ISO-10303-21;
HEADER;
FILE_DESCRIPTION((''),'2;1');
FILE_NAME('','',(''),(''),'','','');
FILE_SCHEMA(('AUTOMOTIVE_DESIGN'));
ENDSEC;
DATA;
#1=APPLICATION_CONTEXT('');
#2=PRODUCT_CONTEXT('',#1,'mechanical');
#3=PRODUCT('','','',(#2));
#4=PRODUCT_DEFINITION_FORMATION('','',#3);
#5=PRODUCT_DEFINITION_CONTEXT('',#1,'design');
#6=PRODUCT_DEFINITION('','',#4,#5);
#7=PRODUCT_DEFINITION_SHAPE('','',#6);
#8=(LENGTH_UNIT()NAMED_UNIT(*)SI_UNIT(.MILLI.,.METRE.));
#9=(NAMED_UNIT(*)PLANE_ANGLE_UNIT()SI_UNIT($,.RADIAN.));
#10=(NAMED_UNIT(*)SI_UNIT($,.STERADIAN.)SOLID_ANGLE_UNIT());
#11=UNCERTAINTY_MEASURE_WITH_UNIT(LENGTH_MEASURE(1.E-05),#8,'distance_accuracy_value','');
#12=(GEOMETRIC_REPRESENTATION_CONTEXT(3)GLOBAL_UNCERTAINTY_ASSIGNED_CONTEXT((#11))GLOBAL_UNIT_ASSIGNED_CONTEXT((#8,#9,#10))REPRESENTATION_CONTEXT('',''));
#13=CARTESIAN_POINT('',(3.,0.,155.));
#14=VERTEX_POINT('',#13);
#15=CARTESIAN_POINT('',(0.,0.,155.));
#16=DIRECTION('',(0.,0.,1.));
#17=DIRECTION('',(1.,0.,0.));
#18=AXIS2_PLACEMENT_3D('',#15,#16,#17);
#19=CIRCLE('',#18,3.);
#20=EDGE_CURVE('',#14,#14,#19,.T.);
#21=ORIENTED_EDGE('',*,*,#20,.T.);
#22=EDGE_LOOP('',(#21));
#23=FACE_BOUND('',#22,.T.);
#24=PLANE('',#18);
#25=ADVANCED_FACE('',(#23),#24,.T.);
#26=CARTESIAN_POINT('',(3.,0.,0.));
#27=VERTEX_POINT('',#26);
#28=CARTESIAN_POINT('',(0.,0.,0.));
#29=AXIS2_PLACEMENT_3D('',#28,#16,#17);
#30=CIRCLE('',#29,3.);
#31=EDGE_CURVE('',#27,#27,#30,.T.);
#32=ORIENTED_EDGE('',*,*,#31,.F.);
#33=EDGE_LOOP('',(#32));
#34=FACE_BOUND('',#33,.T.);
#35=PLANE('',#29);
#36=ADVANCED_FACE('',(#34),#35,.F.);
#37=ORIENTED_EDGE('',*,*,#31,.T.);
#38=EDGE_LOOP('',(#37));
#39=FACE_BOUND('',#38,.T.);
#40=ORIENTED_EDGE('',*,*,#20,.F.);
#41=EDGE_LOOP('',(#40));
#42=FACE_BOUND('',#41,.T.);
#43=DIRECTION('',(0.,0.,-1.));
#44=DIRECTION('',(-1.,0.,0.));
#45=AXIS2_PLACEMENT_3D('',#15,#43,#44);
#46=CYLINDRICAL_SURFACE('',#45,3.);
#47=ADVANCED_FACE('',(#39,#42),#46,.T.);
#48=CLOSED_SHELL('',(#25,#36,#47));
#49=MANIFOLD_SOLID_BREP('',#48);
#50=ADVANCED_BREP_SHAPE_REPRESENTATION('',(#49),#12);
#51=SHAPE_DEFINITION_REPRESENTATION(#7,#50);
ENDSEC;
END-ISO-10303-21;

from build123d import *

# Parameters (mm, degrees)
SKETCH_1_R      = 3
EXTRUDE_1_DEPTH = 155


with BuildPart() as part:
    # Эскиз1 → Бобышка-Вытянуть1 (new body)
    with BuildSketch(Plane.XY):
        Circle(SKETCH_1_R)
    extrude(amount=EXTRUDE_1_DEPTH)


solid = part.part
